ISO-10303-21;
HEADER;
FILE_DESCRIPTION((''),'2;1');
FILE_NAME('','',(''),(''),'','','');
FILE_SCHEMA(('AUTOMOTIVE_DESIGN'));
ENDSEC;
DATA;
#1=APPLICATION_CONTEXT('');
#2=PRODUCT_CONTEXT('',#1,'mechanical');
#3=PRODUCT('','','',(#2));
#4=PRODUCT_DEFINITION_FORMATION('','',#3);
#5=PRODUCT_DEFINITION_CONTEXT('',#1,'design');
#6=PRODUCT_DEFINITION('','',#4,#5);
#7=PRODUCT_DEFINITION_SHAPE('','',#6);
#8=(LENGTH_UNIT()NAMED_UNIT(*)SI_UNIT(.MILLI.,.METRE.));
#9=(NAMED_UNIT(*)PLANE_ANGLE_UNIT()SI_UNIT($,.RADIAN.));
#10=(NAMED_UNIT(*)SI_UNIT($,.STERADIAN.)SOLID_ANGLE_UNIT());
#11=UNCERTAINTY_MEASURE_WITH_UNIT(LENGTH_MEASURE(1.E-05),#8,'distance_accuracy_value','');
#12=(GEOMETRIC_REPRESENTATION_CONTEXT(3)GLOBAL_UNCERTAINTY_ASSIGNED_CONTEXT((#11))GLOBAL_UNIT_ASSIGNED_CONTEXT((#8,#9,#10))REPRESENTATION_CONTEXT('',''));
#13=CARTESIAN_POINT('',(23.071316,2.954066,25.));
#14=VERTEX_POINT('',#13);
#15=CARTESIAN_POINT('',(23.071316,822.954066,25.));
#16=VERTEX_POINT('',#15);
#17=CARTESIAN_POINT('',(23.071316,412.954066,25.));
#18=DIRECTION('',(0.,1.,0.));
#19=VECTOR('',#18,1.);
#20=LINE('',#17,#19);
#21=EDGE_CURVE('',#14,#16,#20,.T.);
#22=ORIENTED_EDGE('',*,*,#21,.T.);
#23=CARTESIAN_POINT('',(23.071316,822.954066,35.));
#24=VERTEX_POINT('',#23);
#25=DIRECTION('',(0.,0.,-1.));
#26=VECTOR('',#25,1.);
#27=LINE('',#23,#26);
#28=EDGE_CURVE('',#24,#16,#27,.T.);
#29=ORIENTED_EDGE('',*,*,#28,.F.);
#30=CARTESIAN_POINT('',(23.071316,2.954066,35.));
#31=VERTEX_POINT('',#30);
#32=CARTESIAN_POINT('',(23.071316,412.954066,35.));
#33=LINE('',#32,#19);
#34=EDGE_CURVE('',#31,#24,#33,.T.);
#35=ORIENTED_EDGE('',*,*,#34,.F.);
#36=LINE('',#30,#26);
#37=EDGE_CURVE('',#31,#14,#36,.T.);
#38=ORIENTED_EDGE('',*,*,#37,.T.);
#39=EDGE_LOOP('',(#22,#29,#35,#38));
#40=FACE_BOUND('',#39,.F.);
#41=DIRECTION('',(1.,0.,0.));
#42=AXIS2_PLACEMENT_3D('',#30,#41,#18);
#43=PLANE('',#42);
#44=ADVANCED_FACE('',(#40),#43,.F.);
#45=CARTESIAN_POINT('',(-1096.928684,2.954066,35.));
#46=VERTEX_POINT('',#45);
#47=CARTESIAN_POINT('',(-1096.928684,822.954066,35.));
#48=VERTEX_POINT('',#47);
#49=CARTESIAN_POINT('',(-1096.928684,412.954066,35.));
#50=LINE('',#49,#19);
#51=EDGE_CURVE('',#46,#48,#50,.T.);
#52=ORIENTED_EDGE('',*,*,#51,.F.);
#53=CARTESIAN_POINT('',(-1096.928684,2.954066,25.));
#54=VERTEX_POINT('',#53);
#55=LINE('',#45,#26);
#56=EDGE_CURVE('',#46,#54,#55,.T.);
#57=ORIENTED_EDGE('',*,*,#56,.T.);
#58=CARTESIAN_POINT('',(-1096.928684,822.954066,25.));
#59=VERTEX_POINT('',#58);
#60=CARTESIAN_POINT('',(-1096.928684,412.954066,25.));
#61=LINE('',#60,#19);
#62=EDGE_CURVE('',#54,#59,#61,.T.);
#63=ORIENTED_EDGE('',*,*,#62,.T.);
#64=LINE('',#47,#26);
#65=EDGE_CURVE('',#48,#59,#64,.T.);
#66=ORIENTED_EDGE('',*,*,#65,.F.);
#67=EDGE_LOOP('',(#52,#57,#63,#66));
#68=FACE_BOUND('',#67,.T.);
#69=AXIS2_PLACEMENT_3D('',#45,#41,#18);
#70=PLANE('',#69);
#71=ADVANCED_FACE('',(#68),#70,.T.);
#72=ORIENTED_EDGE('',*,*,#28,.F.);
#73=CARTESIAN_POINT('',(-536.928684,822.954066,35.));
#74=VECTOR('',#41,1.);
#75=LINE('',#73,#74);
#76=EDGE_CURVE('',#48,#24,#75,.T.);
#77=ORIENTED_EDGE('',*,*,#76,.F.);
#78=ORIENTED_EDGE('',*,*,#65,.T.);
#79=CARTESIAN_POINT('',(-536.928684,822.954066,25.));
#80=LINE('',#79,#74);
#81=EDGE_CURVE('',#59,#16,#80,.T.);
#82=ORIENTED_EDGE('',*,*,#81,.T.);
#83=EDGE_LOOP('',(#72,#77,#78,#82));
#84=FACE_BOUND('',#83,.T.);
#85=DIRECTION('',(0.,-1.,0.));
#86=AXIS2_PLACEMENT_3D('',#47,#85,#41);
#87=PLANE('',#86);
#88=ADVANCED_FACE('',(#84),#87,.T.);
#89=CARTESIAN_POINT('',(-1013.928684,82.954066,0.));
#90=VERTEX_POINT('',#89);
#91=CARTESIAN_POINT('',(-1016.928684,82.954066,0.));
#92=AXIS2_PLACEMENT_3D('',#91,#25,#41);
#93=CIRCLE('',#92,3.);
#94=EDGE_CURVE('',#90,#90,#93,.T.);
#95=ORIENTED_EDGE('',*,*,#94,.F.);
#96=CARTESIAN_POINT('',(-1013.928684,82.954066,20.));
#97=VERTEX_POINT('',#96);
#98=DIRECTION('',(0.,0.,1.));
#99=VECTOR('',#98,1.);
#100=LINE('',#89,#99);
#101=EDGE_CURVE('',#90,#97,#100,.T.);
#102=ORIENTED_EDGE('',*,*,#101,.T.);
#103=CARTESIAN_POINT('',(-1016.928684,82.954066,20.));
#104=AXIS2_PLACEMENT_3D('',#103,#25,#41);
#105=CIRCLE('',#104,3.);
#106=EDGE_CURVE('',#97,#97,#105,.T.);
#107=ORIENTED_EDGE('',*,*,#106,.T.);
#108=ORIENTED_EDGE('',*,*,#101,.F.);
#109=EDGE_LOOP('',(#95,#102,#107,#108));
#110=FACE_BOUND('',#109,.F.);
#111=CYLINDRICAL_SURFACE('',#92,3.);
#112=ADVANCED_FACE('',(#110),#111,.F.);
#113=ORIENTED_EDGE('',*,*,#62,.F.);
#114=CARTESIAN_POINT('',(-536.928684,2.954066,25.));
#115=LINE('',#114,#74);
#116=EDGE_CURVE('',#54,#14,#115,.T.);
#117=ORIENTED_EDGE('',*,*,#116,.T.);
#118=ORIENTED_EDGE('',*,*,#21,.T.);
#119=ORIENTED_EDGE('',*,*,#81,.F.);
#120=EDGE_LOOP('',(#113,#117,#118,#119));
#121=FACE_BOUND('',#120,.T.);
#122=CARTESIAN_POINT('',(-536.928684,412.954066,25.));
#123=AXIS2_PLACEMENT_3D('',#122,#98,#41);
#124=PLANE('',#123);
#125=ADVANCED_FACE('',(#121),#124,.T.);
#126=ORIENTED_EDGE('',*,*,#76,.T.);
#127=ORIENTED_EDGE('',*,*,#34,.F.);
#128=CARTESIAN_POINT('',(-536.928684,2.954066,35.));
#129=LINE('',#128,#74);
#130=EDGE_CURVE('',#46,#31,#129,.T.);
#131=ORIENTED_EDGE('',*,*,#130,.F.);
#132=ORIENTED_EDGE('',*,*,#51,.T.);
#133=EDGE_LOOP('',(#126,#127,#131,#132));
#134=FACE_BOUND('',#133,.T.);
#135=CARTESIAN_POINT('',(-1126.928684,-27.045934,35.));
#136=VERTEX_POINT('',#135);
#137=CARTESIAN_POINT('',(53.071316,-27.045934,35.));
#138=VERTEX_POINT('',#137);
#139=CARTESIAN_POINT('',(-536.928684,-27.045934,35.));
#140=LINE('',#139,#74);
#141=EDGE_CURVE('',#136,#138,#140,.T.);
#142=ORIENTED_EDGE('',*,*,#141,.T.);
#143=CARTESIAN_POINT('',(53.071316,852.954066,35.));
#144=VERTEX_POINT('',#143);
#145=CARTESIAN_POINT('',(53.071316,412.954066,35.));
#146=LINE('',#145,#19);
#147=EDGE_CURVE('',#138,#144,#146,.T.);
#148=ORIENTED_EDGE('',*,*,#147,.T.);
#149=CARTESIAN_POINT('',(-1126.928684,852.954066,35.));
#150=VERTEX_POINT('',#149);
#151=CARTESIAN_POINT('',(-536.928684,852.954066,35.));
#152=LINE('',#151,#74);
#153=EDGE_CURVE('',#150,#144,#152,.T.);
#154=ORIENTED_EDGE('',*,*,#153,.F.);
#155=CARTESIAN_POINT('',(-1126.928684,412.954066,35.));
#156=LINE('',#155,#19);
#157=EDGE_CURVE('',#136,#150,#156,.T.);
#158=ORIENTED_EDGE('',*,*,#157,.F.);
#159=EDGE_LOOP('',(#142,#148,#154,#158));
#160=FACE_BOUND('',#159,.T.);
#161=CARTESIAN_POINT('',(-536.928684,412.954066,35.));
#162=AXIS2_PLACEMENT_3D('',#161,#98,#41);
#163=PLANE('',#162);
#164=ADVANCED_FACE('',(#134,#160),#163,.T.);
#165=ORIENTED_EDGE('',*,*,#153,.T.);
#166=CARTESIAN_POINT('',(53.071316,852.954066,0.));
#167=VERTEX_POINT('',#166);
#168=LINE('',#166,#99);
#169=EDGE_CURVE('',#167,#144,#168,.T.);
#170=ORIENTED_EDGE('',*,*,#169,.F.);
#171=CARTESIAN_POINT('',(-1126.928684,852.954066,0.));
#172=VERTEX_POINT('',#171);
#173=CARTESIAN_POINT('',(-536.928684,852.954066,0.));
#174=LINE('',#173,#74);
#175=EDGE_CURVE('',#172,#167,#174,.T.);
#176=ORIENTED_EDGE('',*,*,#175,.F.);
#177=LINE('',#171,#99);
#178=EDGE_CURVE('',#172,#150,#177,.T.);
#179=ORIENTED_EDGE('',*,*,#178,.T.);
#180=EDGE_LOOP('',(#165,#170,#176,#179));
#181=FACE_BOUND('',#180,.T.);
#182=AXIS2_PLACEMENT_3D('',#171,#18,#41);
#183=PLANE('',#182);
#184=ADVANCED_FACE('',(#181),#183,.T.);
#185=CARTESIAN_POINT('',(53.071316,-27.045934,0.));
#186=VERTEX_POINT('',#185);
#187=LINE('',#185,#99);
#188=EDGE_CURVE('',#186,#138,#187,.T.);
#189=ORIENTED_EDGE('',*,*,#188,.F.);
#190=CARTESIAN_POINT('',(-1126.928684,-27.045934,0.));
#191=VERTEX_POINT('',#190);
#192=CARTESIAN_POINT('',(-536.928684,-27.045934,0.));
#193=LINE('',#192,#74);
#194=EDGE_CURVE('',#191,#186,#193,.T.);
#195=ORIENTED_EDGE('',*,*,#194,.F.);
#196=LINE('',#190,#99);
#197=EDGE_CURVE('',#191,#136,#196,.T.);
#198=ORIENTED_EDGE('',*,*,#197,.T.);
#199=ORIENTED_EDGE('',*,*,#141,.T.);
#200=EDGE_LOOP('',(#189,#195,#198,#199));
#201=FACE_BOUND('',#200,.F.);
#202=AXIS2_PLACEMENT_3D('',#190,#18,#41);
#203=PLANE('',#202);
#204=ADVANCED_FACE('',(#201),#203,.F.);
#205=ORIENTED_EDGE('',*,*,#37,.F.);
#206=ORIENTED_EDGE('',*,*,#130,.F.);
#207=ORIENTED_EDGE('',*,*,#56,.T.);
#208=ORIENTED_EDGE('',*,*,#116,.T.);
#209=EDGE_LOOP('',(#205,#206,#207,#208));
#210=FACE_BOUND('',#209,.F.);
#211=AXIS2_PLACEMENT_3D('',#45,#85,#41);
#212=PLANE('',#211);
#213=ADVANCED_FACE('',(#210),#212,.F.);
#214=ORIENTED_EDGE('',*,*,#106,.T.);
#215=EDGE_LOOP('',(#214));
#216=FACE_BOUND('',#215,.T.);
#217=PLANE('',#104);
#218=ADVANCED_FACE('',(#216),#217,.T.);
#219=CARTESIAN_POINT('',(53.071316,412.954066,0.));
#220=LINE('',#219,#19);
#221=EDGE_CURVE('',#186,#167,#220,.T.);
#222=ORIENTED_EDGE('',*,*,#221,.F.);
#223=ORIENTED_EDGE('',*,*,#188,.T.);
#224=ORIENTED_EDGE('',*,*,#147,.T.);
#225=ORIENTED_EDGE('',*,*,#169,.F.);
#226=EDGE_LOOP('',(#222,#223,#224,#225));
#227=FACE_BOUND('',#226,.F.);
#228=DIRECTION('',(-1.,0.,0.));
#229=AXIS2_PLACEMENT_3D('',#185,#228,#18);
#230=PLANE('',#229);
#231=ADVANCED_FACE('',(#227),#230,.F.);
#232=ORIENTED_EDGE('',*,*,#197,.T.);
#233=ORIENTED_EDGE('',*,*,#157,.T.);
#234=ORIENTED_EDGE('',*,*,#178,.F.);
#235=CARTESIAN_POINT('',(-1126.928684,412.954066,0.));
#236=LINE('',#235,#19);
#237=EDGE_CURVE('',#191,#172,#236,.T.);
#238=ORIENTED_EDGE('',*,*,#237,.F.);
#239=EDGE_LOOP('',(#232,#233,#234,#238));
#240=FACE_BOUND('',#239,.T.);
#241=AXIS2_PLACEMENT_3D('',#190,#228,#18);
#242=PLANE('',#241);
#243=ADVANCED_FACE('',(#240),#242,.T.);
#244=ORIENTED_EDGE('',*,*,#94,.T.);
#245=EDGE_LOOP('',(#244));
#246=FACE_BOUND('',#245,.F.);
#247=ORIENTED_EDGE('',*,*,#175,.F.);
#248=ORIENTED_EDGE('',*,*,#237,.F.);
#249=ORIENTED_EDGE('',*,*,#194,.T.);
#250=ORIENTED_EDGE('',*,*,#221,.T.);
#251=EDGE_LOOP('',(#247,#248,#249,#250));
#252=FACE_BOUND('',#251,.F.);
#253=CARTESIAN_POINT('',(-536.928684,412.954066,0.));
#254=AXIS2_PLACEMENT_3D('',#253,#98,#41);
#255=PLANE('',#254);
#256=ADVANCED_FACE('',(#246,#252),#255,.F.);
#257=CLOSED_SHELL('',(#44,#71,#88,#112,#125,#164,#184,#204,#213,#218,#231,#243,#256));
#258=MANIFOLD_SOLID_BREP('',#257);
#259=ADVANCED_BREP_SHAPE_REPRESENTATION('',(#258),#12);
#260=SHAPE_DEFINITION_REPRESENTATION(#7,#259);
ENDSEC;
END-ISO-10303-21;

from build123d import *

# Parameters (mm, degrees)
F0_W     = 1180
F0_H     = 880
F1_DEPTH = 35
F2_R     = 3
F3_DEPTH = 20
F5_W     = 1120
F5_H     = 820
F6_DEPTH = 10


with BuildPart() as f1:
    # F0 (on Top) → F1 (new body)
    with BuildSketch(Plane.XY):
        with Locations((-536.928684, 412.954066)):
            Rectangle(F0_W, F0_H)
    extrude(amount=F1_DEPTH)

    # F2 (on face) → F3 (cut)
    with BuildSketch(Plane(origin=(0, 0, 0), x_dir=(1, 0, 0), z_dir=(0, 0, -1))):
        with Locations((-1016.928684, -82.954066)):
            Circle(F2_R)
    extrude(amount=-F3_DEPTH, mode=Mode.SUBTRACT)

    # F5 (on face) → F6 (cut)
    with BuildSketch(Plane.XY.offset(35)):
        with Locations((-536.928684, 412.954066)):
            Rectangle(F5_W, F5_H)
    extrude(amount=-F6_DEPTH, mode=Mode.SUBTRACT)


solid = f1.part
